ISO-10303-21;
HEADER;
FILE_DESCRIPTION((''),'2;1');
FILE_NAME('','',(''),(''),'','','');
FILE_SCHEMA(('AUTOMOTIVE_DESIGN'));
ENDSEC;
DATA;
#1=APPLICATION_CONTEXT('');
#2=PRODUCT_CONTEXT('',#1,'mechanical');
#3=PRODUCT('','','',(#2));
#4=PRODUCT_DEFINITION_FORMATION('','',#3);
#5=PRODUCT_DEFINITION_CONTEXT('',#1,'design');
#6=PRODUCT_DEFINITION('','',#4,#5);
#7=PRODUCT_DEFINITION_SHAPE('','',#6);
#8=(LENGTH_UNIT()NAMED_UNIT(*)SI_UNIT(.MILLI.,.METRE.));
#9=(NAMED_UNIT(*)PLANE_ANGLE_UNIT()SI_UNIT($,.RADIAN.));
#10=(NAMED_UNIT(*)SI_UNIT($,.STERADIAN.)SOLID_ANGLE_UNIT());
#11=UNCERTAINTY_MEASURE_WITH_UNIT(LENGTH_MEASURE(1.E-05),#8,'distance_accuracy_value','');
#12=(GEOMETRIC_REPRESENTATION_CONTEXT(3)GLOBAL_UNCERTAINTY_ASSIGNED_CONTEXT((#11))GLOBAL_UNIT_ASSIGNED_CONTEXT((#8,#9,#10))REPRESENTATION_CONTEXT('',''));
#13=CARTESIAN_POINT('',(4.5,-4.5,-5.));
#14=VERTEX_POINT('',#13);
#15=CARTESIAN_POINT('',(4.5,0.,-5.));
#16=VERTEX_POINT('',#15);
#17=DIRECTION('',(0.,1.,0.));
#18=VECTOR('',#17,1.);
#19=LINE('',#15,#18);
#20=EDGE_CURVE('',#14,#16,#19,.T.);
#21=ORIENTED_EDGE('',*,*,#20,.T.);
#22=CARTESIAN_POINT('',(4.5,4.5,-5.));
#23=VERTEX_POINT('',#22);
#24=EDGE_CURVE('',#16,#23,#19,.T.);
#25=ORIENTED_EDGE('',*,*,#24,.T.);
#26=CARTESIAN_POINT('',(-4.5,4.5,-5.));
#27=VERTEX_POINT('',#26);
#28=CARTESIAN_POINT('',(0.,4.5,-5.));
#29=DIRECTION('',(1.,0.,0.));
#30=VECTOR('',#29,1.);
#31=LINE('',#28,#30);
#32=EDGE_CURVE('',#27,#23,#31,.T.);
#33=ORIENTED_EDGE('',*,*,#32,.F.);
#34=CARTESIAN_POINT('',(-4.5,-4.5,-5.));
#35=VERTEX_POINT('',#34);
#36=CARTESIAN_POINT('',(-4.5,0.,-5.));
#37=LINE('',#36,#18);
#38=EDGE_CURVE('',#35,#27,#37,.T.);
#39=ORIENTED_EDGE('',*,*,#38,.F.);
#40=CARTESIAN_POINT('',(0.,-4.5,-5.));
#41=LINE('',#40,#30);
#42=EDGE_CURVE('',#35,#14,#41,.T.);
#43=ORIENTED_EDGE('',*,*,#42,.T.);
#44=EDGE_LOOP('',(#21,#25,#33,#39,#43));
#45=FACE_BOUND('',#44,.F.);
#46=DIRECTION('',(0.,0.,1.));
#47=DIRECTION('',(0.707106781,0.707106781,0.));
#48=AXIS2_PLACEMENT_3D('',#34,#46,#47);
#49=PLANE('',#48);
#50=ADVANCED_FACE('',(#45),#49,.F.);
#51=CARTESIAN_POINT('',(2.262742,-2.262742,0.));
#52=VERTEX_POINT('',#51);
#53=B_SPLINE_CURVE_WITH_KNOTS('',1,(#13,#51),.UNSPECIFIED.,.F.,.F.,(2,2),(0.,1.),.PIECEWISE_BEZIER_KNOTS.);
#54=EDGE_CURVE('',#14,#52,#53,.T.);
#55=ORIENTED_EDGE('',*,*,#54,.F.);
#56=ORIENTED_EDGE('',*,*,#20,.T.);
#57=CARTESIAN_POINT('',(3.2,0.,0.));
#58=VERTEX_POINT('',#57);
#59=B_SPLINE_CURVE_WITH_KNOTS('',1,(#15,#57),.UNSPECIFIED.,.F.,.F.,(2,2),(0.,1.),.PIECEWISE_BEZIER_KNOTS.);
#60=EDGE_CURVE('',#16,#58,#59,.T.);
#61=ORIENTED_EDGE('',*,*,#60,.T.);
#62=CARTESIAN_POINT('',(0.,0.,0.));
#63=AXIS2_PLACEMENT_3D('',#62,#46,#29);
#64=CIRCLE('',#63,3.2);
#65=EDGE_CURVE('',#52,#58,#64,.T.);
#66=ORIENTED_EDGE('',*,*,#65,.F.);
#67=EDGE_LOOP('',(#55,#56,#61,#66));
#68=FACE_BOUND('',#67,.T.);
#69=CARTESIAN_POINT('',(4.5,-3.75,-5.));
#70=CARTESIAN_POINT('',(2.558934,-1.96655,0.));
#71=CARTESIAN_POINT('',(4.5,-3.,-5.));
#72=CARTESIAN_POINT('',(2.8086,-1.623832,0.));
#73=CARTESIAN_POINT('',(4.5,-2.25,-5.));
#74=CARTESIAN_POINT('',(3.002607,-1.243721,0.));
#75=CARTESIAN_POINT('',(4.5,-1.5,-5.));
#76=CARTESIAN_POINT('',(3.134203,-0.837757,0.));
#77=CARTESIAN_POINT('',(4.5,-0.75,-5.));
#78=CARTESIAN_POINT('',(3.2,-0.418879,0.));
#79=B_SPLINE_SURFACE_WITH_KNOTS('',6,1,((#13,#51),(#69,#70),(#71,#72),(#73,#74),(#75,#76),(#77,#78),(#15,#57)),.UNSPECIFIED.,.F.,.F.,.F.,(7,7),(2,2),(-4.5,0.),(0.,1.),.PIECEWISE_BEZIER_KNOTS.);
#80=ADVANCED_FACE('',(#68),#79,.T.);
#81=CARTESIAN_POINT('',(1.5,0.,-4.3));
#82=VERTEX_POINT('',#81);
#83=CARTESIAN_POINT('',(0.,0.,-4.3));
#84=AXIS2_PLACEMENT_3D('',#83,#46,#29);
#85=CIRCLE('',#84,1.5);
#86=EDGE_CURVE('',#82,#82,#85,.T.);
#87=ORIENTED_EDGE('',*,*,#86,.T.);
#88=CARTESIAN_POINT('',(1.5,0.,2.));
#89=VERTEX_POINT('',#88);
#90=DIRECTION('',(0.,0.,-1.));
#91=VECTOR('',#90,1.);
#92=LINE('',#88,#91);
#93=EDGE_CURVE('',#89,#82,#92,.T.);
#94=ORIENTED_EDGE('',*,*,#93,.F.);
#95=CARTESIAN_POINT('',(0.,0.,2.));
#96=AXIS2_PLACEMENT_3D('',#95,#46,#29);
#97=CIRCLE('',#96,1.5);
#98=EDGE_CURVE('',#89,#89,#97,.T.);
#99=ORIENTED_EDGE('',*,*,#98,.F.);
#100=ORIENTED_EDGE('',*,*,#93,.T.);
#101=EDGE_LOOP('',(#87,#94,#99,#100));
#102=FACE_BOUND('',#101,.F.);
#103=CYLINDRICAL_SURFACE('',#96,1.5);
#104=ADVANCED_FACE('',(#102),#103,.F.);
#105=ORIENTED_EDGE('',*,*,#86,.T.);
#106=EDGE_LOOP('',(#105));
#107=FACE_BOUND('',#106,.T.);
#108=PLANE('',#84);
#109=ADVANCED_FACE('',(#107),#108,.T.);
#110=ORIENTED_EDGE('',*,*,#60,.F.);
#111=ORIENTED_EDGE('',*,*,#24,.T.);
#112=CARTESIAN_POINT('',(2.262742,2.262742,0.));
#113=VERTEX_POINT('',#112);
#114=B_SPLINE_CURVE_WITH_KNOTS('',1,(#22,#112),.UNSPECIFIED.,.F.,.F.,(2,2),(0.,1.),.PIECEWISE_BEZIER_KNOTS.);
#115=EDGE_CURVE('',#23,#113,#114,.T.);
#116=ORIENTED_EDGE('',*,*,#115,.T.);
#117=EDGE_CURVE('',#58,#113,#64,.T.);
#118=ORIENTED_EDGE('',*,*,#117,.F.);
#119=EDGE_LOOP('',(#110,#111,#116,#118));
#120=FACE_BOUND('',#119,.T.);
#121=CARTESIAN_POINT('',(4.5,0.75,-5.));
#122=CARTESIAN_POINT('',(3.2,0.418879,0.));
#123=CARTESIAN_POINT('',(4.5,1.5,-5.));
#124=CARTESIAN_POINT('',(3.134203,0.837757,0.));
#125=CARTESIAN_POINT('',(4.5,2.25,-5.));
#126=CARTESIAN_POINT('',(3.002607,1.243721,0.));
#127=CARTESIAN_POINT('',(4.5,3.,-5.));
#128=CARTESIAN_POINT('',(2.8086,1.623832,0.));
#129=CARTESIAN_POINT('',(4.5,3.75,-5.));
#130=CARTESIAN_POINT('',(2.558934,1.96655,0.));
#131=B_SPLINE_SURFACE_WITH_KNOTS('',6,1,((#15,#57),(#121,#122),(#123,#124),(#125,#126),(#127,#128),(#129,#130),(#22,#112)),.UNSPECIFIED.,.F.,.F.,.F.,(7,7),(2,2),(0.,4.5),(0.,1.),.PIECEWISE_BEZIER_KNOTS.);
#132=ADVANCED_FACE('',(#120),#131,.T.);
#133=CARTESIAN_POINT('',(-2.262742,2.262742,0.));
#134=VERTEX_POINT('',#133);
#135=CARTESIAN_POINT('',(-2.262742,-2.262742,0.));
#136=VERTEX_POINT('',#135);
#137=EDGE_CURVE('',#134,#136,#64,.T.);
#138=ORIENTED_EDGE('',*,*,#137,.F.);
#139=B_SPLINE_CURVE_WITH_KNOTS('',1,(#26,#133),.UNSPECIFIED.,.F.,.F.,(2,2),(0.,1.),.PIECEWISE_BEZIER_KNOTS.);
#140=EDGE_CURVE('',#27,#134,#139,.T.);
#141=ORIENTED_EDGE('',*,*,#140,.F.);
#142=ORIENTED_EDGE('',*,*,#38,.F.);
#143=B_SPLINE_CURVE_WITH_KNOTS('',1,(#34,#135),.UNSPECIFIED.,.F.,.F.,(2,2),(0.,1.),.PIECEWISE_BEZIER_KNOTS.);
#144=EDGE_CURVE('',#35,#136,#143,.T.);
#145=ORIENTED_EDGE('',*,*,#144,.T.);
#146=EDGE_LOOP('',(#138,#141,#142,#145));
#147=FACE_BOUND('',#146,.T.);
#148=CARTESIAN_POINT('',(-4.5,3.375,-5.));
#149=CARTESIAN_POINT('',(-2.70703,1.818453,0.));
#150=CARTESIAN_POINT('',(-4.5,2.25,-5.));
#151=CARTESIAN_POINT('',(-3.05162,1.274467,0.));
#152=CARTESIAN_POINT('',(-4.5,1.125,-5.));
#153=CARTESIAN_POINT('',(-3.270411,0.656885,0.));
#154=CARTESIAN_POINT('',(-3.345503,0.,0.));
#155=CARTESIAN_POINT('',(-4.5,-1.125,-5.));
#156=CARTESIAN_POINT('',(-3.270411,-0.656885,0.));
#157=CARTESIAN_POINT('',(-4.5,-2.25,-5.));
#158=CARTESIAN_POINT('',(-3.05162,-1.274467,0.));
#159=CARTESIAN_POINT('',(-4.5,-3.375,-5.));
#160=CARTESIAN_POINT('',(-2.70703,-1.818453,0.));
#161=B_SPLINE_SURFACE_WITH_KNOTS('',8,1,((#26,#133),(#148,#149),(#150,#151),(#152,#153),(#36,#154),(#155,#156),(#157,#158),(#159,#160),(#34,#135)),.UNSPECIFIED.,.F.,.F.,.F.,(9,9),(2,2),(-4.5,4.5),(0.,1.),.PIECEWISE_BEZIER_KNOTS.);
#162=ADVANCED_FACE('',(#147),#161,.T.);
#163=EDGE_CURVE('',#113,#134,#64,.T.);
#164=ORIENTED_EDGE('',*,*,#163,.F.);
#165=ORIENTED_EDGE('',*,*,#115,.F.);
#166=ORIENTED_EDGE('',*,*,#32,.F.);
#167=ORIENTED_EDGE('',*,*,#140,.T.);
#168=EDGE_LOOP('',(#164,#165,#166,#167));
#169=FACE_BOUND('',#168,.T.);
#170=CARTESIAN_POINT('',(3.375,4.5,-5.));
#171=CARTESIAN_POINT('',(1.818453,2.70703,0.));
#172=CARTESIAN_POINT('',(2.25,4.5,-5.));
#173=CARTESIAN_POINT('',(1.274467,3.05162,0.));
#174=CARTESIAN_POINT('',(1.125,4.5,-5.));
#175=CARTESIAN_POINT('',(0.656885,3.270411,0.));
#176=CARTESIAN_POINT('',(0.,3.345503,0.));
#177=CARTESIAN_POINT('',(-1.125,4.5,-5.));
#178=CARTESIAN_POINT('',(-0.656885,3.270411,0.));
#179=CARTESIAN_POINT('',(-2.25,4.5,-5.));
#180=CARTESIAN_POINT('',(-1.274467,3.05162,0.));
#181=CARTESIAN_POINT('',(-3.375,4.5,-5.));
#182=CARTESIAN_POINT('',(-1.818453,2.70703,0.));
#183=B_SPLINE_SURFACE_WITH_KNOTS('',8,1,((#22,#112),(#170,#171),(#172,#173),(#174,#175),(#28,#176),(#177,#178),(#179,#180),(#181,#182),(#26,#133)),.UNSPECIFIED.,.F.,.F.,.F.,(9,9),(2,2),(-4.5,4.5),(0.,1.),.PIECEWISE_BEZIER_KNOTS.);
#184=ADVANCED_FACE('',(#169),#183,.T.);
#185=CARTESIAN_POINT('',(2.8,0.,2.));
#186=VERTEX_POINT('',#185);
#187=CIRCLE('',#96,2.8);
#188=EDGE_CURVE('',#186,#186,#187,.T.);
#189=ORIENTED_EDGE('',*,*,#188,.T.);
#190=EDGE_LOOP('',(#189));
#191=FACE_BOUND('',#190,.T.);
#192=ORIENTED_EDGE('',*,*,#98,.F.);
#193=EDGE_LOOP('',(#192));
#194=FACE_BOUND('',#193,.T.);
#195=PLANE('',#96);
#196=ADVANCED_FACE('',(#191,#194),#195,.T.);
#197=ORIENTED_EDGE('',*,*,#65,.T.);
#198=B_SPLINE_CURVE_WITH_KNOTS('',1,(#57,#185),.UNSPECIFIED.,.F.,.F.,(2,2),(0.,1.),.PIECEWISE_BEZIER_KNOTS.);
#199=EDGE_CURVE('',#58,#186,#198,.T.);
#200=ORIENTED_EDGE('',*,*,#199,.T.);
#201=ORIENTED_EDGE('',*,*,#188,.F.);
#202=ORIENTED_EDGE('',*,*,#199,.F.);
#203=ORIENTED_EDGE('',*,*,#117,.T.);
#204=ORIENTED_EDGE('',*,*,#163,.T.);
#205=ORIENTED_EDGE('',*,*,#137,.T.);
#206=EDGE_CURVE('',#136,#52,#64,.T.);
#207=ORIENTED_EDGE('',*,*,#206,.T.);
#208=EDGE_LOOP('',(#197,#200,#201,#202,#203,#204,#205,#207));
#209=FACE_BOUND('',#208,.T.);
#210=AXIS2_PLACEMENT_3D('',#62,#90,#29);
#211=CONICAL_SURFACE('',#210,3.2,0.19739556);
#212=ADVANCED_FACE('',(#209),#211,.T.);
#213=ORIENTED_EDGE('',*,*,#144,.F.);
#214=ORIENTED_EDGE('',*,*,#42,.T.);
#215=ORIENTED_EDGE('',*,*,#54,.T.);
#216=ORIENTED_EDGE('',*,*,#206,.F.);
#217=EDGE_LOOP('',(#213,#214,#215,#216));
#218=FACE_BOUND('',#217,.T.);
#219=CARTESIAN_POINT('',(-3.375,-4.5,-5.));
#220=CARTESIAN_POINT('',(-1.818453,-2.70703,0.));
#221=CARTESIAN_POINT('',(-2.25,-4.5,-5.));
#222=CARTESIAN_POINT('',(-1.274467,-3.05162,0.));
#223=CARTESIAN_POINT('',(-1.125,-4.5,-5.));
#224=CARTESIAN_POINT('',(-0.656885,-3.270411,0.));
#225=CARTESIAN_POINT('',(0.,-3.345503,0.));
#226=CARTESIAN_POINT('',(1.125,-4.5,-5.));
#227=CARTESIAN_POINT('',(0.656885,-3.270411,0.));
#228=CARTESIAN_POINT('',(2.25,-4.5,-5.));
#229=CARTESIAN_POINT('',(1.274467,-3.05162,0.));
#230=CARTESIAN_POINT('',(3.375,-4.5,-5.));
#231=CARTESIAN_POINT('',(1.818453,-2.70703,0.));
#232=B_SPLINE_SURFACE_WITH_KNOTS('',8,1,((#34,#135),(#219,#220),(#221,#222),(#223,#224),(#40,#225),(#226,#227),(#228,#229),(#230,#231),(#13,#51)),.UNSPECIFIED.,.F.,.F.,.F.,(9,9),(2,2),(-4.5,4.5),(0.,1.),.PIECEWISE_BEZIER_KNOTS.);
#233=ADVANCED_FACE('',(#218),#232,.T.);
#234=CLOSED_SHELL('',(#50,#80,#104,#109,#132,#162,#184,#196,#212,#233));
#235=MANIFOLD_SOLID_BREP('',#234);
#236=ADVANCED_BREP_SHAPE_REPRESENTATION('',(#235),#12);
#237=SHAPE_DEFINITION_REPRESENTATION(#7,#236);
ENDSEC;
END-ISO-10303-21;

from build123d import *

# Parameters (mm, degrees)
F2_W     = 9
F2_H     = 9
F0_R     = 3.2
F5_R     = 2.8
F7_R     = 1.5
F8_DEPTH = 6.3


with BuildPart() as f3:
    # F2 (on offset) → F3 section 0
    with BuildSketch(Plane.XY.offset(-5)):
        Rectangle(F2_W, F2_H)
    # F0 (on Top) → F3 section 1
    with BuildSketch(Plane.XY):
        Circle(F0_R)
    loft()

    # F0 (on Top) → F6 section 0
    with BuildSketch(Plane.XY):
        Circle(F0_R)
    # F5 (on offset) → F6 section 1
    with BuildSketch(Plane.XY.offset(2)):
        Circle(F5_R)
    loft()

    # F7 (on offset) → F8 (cut)
    with BuildSketch(Plane.XY.offset(2)):
        Circle(F7_R)
    extrude(amount=-F8_DEPTH, mode=Mode.SUBTRACT)


solid = f3.part
